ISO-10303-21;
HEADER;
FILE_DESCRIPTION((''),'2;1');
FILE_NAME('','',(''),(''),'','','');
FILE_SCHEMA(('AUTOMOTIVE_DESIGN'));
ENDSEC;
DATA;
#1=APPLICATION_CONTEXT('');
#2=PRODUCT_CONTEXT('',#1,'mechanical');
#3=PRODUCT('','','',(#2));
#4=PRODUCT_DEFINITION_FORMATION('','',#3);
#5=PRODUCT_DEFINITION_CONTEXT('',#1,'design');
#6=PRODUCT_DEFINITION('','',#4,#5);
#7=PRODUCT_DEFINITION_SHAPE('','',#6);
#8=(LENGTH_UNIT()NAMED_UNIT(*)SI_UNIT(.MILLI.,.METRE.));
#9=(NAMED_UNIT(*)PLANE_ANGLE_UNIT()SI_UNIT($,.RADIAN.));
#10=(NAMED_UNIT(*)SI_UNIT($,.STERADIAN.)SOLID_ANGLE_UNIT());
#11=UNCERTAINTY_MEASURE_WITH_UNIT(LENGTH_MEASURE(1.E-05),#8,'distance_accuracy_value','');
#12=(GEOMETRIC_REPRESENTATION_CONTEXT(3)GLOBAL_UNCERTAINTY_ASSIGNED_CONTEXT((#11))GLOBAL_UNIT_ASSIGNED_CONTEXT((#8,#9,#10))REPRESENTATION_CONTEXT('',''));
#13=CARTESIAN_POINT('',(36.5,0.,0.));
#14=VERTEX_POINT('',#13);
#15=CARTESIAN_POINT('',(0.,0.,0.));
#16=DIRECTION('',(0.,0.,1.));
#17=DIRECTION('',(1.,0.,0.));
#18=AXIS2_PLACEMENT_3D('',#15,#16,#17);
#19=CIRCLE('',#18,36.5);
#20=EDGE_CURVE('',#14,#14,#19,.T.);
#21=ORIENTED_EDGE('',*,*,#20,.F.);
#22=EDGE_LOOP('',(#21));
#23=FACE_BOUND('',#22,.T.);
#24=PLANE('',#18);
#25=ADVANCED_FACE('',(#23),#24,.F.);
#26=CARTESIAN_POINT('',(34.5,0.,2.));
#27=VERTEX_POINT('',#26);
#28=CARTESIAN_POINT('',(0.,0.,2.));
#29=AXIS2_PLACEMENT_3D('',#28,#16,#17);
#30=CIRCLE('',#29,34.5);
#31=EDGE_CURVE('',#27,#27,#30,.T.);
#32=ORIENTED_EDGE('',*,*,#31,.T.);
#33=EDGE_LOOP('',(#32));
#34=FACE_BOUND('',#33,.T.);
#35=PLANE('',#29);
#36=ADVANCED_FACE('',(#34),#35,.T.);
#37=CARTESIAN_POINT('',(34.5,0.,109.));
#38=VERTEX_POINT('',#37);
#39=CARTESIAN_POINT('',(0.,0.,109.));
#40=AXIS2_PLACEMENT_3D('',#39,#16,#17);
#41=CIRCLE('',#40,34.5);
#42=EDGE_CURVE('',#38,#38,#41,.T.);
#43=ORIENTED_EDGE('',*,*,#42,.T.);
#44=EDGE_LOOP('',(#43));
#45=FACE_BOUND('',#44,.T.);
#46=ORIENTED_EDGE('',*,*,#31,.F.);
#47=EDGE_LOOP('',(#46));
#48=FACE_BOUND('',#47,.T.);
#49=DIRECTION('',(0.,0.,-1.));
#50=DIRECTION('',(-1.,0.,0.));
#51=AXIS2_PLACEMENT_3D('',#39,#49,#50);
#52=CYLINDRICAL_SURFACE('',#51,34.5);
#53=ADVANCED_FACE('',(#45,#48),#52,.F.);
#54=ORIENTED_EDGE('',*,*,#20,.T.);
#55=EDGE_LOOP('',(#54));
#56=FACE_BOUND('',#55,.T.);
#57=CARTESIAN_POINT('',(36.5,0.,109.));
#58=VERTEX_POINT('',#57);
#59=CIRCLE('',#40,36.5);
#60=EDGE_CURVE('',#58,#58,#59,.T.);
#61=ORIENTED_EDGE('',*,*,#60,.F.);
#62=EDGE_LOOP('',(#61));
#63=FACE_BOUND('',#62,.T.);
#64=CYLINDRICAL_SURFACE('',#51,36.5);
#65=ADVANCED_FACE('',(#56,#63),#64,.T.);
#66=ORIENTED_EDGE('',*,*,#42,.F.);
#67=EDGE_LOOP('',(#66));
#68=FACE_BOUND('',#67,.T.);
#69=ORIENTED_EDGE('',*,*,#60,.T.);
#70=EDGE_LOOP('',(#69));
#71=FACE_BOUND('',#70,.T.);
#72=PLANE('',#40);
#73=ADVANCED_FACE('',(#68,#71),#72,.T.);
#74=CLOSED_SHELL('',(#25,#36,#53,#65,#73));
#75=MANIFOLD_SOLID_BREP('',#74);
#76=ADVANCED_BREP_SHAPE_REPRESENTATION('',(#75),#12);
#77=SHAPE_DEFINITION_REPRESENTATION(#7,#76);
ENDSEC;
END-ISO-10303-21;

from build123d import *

# Parameters (mm, degrees)
ESQUISSE1_R        = 36.5
BOSS_EXTRU_1_DEPTH = 109
COQUE1_T           = -2


with BuildPart() as part:
    # Esquisse1 → Boss.-Extru.1 (new body)
    with BuildSketch(Plane.XY):
        Circle(ESQUISSE1_R)
    extrude(amount=BOSS_EXTRU_1_DEPTH)

    # Coque1
    coque1_openings = [part.faces().sort_by_distance(p)[0] for p in [
        (0, 0, 109),
    ]]
    offset(amount=COQUE1_T, openings=coque1_openings, kind=Kind.INTERSECTION)


solid = part.part
